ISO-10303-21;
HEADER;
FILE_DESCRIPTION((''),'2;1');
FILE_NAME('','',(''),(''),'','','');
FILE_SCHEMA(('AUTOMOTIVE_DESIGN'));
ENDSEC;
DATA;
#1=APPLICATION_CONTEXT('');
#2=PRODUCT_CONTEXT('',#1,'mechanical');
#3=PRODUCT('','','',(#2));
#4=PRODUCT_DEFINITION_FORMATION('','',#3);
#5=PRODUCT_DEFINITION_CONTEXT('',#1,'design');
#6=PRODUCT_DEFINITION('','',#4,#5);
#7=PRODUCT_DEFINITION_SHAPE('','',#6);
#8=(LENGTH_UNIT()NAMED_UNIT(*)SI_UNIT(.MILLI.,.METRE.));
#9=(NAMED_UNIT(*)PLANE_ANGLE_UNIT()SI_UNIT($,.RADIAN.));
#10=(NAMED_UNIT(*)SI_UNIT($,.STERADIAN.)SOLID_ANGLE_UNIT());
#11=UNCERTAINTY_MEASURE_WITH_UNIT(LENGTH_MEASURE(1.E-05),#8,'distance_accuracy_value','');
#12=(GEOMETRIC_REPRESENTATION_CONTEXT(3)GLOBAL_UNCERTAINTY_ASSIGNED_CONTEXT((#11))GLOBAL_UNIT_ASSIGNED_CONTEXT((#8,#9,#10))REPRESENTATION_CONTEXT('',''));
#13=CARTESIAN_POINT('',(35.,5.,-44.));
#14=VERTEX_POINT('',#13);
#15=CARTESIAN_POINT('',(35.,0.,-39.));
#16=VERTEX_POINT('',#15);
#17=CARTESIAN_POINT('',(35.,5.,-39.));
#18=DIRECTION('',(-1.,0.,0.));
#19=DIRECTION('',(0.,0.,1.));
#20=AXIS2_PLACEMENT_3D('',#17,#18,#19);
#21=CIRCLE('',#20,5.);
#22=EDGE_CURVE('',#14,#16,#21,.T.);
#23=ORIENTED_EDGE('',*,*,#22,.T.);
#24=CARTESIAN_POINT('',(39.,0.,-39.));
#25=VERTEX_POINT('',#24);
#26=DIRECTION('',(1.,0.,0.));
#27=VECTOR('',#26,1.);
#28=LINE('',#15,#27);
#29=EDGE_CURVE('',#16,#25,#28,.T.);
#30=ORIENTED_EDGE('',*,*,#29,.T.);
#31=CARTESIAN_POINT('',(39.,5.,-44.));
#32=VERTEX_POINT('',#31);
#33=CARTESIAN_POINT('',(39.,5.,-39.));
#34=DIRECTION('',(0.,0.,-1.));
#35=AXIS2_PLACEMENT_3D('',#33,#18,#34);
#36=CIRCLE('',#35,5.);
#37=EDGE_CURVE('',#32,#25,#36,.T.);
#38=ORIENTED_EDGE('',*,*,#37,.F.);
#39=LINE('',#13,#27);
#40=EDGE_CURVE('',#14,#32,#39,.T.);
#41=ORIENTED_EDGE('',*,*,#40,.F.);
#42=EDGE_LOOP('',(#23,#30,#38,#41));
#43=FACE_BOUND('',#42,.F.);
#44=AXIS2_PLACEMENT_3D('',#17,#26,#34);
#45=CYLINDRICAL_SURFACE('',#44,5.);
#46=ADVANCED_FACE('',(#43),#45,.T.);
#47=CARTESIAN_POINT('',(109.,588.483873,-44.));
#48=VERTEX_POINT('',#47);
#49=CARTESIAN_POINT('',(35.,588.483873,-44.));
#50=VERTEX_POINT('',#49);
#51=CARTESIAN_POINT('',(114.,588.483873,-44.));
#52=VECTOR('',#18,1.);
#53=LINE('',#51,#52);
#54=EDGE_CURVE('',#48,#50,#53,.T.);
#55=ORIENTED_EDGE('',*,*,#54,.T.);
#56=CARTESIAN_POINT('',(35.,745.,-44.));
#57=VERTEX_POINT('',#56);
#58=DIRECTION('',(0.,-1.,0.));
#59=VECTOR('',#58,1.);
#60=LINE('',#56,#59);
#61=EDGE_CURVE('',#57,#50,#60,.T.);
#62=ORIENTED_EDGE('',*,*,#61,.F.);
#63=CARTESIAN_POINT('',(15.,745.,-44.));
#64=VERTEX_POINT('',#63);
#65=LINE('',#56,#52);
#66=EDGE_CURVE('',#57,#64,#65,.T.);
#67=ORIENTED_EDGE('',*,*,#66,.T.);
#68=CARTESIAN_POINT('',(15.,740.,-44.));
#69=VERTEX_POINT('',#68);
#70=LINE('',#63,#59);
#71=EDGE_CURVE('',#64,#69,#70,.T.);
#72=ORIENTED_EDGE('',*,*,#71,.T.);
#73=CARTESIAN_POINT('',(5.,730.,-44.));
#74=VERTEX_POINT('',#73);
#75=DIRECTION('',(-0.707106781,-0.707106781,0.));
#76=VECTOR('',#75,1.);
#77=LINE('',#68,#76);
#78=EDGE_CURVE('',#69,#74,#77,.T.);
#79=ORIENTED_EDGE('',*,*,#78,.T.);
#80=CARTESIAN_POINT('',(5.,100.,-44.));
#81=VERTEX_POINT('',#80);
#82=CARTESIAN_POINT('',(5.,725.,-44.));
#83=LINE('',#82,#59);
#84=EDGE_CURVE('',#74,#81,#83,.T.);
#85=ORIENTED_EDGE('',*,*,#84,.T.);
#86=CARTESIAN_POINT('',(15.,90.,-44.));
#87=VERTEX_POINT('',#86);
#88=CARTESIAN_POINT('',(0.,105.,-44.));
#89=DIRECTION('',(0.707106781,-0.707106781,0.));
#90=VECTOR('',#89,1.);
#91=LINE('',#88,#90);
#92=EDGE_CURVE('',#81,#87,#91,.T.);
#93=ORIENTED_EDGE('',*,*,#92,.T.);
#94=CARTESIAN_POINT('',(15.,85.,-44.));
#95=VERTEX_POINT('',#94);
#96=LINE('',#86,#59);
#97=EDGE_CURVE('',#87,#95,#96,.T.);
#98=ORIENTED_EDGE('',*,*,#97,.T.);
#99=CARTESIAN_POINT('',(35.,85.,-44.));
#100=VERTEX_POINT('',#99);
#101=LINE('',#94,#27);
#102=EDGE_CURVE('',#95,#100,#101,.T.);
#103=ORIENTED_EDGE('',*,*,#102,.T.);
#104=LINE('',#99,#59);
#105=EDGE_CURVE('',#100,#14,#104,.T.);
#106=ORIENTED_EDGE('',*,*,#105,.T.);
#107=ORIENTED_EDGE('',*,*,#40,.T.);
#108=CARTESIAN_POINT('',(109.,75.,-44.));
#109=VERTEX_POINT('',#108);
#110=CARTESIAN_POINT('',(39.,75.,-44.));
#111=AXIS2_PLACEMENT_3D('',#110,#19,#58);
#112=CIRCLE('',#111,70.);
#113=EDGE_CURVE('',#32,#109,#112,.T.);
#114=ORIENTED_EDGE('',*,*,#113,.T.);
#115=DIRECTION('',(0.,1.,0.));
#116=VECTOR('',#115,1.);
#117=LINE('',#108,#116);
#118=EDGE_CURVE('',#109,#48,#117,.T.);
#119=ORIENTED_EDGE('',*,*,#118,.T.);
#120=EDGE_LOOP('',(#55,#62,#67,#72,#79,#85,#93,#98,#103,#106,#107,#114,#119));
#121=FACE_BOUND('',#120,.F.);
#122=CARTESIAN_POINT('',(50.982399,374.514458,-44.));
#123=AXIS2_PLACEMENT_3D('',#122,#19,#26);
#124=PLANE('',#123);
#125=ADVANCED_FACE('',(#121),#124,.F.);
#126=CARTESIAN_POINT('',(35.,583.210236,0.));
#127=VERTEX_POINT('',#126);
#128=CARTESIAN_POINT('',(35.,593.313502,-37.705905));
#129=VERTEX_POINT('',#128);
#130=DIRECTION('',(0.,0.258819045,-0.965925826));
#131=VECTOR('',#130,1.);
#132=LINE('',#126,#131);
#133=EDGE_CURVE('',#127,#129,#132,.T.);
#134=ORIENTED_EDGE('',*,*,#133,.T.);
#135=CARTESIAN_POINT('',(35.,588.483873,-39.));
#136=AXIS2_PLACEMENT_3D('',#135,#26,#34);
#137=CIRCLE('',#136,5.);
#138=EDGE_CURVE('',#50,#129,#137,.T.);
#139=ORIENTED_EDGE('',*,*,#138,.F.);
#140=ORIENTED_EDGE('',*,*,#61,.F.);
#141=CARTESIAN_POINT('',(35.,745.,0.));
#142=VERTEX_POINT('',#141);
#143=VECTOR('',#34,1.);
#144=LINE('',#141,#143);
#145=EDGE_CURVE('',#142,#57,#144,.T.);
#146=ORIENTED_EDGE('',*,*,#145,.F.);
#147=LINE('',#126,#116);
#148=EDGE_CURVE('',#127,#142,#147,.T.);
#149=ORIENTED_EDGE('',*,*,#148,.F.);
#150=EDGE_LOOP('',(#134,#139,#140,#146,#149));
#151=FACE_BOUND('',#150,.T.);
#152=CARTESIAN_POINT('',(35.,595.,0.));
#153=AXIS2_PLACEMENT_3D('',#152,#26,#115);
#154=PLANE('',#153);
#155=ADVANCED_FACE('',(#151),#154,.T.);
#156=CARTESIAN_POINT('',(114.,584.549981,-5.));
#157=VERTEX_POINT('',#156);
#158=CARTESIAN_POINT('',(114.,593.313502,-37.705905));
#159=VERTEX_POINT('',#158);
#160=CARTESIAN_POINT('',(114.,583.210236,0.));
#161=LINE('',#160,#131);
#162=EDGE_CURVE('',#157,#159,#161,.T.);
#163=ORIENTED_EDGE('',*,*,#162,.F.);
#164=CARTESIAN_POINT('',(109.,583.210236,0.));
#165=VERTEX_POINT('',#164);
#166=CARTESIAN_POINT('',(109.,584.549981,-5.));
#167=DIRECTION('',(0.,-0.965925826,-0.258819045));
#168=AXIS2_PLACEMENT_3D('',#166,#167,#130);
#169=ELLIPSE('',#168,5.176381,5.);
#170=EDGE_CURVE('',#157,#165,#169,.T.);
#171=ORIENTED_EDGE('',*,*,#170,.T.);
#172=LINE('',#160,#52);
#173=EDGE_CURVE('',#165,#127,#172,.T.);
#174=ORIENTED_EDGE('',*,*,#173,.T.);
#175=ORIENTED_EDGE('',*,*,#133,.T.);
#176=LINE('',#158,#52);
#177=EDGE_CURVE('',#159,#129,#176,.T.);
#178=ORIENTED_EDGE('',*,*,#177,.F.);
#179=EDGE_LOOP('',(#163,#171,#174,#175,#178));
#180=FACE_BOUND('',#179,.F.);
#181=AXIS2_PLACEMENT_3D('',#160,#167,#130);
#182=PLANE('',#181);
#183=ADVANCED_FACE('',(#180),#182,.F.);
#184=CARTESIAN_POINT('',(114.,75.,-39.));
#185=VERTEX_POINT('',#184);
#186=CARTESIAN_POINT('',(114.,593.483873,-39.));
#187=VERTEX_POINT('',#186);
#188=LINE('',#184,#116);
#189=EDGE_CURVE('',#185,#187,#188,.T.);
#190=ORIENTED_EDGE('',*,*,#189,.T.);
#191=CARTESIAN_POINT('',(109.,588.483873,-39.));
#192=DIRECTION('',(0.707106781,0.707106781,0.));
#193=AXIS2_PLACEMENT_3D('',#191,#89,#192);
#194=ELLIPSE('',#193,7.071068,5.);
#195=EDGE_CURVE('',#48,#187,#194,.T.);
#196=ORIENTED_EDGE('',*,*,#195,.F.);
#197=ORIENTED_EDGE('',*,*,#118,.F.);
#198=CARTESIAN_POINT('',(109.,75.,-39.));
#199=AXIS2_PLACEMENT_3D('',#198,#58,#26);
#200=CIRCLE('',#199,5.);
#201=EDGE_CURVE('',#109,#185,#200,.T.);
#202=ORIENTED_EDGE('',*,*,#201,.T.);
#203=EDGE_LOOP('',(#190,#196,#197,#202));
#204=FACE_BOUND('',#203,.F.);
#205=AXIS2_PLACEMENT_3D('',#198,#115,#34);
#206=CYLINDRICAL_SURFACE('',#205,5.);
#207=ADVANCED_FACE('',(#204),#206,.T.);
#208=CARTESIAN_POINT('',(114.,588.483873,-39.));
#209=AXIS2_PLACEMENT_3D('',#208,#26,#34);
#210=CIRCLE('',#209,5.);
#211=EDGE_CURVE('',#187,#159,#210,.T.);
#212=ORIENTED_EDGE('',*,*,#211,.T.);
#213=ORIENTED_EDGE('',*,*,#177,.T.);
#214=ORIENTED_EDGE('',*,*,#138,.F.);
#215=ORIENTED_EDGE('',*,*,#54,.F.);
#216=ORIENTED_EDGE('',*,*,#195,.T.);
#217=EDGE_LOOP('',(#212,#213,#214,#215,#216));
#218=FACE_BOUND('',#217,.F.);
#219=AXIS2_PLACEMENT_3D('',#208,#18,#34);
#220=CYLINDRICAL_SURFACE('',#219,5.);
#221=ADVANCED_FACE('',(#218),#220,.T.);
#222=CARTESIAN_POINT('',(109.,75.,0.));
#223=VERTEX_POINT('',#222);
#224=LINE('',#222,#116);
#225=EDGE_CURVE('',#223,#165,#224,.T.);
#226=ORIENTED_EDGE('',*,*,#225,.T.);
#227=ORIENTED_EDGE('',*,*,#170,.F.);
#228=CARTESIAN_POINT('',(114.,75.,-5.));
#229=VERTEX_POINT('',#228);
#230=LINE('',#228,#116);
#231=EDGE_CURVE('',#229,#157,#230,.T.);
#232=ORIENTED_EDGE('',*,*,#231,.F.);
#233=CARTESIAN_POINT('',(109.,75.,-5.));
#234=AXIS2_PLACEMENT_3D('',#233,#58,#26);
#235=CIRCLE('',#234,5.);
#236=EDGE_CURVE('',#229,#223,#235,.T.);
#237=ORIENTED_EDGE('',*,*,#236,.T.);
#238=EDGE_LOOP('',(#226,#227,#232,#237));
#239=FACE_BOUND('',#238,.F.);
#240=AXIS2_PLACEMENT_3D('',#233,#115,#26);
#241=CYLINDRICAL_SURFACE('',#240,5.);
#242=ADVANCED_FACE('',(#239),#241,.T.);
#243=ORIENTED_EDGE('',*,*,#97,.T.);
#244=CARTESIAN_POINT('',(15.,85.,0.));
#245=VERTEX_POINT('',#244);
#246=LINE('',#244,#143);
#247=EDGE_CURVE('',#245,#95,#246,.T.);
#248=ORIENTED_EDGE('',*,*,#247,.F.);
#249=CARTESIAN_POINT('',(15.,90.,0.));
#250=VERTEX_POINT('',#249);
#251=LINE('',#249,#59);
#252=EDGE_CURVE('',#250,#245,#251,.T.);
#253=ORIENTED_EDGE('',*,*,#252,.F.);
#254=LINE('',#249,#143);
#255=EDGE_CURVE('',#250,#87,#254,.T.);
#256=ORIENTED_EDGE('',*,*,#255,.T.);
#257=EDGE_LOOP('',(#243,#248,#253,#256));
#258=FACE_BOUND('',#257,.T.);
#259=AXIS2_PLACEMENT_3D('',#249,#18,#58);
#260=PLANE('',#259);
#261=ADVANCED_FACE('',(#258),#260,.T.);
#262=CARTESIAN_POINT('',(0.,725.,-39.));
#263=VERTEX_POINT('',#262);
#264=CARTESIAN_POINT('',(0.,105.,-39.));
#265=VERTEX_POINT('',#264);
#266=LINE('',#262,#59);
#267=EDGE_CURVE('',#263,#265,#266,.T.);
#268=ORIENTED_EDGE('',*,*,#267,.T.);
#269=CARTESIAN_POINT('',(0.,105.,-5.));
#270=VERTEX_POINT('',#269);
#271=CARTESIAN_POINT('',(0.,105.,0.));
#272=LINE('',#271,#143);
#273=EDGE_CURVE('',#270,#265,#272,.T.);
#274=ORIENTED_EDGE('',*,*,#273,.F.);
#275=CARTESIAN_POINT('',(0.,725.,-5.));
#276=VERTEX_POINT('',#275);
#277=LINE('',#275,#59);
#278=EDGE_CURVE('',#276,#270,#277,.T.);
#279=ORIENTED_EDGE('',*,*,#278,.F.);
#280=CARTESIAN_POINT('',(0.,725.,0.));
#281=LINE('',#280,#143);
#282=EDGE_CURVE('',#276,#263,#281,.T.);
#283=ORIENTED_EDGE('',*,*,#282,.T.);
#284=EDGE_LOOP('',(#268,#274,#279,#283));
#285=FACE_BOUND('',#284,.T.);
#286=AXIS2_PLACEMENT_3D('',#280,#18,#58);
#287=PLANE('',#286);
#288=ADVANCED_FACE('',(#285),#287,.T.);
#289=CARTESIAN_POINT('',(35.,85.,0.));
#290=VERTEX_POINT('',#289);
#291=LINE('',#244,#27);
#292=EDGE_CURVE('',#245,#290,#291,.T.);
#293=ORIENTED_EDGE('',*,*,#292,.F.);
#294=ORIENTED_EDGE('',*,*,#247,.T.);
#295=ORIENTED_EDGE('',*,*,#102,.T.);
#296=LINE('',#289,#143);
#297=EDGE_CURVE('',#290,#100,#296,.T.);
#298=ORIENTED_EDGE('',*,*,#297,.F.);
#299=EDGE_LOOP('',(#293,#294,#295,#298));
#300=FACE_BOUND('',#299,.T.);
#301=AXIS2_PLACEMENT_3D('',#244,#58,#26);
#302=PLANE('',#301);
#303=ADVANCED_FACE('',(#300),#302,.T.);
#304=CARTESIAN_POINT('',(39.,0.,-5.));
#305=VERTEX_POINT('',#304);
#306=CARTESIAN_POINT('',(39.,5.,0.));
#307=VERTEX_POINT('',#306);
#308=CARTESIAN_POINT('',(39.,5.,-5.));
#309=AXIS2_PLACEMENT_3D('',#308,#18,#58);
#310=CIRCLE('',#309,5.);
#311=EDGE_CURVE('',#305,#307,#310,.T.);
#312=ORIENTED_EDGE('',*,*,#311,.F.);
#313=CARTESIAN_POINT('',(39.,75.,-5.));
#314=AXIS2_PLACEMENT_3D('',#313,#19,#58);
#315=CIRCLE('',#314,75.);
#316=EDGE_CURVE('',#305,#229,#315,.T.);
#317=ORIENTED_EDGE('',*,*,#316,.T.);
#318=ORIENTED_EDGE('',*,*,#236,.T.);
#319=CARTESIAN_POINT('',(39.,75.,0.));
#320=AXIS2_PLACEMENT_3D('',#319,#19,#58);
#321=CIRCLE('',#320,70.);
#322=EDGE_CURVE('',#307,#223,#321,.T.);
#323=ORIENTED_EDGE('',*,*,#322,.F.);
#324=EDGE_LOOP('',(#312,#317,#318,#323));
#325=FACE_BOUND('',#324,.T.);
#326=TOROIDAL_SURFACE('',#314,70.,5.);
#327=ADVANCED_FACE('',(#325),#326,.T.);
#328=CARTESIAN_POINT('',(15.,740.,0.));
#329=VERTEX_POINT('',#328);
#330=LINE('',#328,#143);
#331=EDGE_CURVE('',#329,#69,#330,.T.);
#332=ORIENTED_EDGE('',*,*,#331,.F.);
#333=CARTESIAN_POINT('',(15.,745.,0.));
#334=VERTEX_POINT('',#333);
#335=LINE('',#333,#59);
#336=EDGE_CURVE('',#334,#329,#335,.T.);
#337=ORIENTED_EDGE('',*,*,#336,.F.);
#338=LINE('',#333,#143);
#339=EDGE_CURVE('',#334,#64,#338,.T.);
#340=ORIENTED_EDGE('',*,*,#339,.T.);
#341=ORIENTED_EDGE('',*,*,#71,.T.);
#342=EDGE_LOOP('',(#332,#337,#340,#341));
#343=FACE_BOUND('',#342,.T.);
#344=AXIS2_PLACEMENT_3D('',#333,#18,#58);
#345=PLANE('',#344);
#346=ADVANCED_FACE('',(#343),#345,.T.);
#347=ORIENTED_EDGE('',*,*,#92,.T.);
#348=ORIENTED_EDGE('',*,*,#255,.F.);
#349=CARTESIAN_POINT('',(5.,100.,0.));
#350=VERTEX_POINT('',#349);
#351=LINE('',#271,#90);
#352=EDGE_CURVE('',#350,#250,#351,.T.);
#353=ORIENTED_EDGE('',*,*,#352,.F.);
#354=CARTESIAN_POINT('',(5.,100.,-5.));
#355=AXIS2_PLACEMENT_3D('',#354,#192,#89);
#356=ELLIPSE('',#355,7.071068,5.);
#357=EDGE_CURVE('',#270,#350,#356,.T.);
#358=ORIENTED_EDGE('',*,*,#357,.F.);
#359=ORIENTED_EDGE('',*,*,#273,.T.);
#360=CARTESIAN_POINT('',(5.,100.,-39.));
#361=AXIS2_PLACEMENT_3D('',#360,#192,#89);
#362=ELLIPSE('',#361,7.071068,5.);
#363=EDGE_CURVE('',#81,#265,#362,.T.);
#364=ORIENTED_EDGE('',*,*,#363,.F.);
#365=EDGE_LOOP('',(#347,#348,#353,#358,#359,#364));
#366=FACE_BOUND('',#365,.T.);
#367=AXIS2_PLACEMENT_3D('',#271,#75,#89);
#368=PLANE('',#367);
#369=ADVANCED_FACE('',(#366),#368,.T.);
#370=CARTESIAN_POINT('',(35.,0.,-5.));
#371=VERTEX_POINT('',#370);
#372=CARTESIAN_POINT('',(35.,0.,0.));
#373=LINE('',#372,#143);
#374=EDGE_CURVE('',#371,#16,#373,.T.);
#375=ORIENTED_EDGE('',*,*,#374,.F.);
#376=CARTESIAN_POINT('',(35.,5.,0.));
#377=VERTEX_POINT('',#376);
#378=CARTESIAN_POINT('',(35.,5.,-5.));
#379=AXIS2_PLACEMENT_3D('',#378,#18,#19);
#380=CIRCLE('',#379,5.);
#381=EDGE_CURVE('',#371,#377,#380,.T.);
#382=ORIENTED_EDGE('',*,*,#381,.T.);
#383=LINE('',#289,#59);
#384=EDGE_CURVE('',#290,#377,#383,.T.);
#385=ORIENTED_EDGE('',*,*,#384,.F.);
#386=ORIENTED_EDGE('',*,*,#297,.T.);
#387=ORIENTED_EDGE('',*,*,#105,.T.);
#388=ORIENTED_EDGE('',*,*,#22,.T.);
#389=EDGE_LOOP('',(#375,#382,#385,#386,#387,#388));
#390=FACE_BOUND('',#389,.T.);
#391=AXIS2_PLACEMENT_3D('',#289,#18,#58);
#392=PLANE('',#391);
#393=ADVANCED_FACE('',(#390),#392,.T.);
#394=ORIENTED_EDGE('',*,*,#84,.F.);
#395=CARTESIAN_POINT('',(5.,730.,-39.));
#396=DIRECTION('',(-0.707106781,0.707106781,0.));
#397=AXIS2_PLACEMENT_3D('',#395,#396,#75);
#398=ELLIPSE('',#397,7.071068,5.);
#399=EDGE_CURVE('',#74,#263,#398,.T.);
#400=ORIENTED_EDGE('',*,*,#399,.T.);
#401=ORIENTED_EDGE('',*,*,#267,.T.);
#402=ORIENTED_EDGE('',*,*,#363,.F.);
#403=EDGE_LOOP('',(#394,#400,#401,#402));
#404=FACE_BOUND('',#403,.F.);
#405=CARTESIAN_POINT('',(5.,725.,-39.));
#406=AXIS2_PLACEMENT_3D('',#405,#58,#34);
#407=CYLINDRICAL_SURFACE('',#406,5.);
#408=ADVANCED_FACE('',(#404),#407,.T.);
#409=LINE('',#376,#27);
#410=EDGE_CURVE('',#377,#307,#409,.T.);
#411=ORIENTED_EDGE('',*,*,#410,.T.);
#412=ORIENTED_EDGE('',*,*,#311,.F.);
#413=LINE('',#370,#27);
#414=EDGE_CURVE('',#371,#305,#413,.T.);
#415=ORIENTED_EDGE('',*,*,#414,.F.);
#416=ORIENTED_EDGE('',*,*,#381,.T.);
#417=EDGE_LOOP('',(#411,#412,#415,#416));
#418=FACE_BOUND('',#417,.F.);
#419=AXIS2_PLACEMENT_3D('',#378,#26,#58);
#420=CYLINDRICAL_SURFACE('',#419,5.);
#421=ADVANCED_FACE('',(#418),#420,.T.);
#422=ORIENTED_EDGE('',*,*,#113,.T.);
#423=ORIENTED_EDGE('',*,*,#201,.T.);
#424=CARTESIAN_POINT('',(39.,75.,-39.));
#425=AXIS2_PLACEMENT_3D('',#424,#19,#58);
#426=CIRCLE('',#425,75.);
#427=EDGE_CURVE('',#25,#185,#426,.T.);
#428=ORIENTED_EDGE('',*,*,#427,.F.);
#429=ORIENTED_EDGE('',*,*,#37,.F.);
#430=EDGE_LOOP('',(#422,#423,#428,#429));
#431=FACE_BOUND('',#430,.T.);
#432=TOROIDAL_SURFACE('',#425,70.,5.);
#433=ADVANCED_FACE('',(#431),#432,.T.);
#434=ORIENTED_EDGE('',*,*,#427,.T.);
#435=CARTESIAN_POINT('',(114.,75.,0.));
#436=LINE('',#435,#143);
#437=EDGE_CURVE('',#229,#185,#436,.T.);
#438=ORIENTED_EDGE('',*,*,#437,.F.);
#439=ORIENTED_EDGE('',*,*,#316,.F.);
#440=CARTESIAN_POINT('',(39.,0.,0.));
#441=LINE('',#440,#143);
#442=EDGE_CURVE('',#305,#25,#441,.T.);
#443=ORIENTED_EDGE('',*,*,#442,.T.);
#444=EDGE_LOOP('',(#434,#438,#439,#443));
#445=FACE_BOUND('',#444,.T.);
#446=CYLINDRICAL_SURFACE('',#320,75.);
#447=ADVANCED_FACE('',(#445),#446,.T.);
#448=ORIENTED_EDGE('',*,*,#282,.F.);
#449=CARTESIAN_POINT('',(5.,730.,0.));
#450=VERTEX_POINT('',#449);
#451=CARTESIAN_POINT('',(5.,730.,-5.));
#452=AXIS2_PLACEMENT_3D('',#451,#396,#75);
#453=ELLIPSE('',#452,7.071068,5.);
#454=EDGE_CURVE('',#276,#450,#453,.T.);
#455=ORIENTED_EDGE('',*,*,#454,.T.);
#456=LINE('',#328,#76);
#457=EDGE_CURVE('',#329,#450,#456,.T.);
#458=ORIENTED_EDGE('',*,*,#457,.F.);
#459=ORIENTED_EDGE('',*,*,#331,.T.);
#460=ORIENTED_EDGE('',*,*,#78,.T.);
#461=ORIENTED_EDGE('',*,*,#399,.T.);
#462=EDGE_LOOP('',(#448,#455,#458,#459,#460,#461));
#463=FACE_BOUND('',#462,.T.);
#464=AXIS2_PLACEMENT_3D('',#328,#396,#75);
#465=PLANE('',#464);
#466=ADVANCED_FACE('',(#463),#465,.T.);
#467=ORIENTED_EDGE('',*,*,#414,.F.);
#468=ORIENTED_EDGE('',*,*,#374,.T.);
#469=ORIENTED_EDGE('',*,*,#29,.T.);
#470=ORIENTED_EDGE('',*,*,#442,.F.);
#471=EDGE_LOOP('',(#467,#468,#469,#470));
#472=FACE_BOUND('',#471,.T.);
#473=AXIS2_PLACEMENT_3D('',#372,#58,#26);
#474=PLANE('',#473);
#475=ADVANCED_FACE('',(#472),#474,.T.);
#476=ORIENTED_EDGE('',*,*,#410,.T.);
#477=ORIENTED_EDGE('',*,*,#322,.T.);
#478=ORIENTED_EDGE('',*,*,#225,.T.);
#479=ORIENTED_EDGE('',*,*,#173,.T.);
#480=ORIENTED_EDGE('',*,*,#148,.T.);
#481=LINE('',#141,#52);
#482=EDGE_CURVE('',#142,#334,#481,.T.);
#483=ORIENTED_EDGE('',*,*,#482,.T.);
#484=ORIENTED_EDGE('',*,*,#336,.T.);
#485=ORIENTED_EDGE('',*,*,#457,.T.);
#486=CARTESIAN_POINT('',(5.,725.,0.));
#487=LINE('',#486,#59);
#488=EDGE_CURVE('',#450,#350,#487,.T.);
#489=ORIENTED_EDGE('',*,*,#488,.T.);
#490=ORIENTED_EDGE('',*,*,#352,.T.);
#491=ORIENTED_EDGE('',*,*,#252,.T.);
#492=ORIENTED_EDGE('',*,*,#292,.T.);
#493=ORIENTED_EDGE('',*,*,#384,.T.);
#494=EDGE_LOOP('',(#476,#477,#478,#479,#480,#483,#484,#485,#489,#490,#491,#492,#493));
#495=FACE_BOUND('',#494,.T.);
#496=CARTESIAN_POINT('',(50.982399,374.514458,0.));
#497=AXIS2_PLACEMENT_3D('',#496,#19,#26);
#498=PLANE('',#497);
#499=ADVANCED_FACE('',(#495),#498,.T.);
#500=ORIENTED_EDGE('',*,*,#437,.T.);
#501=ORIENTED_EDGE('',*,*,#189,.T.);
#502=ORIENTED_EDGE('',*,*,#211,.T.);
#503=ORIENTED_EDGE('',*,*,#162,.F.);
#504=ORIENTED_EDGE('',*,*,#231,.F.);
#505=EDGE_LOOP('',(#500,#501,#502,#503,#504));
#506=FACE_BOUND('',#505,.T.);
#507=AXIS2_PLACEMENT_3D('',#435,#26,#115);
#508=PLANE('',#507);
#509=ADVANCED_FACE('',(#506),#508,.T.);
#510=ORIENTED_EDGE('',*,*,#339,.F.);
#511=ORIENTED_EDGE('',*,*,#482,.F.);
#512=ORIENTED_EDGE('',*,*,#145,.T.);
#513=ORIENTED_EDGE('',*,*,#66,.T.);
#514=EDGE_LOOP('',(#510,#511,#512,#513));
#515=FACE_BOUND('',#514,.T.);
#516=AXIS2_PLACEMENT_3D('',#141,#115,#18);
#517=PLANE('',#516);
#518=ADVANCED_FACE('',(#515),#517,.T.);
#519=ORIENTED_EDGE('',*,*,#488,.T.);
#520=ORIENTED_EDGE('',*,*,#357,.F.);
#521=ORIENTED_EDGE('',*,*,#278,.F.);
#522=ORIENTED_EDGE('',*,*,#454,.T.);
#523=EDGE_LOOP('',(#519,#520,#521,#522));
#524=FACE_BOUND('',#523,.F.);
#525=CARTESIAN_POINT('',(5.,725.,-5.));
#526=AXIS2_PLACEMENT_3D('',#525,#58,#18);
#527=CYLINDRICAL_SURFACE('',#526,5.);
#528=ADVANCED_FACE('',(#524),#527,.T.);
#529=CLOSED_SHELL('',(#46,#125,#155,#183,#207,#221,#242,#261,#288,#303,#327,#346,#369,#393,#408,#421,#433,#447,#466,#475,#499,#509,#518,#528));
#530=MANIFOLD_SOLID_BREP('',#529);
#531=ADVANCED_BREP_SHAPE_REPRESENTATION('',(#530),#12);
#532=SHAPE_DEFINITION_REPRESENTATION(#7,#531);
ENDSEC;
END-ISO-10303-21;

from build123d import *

# Parameters (mm, degrees)
F1_DEPTH = 44
F3_DEPTH = 79
F4_R     = 5


with BuildPart() as f1:
    # F0 (on Top) → F1 (new body)
    with BuildSketch(Plane.XY):
        with BuildLine():
            Line((35, 85), (35, 0))
            Line((35, 0), (39, 0))
            ThreePointArc((39, 0), (92.033008589, 21.966991411), (114, 75))
            Line((114, 75), (114, 595))
            Line((114, 595), (35, 595))
            Line((35, 595), (35, 745))
            Line((35, 745), (15, 745))
            Line((15, 745), (15, 740))
            Line((15, 740), (0, 725))
            Line((0, 725), (0, 105))
            Line((0, 105), (15, 90))
            Line((15, 90), (15, 85))
            Line((15, 85), (35, 85))
        make_face()
    extrude(amount=-F1_DEPTH)

    # F2 (on face) → F3 (cut)
    with BuildSketch(Plane.YZ.offset(114)):
        Polygon((583.210235533, 0), (595, -44), (595, 0), align=None)
    extrude(amount=-F3_DEPTH, mode=Mode.SUBTRACT)

    # F4
    f4_edges = [f1.edges().sort_by_distance(p)[0] for p in [
        (114, 335, -44),
        (114, 329.105118, 0),
        (74.5, 595, -44),
        (0, 415, -44),
        (0, 415, 0),
    ]]
    fillet(f4_edges, radius=F4_R)


solid = f1.part
